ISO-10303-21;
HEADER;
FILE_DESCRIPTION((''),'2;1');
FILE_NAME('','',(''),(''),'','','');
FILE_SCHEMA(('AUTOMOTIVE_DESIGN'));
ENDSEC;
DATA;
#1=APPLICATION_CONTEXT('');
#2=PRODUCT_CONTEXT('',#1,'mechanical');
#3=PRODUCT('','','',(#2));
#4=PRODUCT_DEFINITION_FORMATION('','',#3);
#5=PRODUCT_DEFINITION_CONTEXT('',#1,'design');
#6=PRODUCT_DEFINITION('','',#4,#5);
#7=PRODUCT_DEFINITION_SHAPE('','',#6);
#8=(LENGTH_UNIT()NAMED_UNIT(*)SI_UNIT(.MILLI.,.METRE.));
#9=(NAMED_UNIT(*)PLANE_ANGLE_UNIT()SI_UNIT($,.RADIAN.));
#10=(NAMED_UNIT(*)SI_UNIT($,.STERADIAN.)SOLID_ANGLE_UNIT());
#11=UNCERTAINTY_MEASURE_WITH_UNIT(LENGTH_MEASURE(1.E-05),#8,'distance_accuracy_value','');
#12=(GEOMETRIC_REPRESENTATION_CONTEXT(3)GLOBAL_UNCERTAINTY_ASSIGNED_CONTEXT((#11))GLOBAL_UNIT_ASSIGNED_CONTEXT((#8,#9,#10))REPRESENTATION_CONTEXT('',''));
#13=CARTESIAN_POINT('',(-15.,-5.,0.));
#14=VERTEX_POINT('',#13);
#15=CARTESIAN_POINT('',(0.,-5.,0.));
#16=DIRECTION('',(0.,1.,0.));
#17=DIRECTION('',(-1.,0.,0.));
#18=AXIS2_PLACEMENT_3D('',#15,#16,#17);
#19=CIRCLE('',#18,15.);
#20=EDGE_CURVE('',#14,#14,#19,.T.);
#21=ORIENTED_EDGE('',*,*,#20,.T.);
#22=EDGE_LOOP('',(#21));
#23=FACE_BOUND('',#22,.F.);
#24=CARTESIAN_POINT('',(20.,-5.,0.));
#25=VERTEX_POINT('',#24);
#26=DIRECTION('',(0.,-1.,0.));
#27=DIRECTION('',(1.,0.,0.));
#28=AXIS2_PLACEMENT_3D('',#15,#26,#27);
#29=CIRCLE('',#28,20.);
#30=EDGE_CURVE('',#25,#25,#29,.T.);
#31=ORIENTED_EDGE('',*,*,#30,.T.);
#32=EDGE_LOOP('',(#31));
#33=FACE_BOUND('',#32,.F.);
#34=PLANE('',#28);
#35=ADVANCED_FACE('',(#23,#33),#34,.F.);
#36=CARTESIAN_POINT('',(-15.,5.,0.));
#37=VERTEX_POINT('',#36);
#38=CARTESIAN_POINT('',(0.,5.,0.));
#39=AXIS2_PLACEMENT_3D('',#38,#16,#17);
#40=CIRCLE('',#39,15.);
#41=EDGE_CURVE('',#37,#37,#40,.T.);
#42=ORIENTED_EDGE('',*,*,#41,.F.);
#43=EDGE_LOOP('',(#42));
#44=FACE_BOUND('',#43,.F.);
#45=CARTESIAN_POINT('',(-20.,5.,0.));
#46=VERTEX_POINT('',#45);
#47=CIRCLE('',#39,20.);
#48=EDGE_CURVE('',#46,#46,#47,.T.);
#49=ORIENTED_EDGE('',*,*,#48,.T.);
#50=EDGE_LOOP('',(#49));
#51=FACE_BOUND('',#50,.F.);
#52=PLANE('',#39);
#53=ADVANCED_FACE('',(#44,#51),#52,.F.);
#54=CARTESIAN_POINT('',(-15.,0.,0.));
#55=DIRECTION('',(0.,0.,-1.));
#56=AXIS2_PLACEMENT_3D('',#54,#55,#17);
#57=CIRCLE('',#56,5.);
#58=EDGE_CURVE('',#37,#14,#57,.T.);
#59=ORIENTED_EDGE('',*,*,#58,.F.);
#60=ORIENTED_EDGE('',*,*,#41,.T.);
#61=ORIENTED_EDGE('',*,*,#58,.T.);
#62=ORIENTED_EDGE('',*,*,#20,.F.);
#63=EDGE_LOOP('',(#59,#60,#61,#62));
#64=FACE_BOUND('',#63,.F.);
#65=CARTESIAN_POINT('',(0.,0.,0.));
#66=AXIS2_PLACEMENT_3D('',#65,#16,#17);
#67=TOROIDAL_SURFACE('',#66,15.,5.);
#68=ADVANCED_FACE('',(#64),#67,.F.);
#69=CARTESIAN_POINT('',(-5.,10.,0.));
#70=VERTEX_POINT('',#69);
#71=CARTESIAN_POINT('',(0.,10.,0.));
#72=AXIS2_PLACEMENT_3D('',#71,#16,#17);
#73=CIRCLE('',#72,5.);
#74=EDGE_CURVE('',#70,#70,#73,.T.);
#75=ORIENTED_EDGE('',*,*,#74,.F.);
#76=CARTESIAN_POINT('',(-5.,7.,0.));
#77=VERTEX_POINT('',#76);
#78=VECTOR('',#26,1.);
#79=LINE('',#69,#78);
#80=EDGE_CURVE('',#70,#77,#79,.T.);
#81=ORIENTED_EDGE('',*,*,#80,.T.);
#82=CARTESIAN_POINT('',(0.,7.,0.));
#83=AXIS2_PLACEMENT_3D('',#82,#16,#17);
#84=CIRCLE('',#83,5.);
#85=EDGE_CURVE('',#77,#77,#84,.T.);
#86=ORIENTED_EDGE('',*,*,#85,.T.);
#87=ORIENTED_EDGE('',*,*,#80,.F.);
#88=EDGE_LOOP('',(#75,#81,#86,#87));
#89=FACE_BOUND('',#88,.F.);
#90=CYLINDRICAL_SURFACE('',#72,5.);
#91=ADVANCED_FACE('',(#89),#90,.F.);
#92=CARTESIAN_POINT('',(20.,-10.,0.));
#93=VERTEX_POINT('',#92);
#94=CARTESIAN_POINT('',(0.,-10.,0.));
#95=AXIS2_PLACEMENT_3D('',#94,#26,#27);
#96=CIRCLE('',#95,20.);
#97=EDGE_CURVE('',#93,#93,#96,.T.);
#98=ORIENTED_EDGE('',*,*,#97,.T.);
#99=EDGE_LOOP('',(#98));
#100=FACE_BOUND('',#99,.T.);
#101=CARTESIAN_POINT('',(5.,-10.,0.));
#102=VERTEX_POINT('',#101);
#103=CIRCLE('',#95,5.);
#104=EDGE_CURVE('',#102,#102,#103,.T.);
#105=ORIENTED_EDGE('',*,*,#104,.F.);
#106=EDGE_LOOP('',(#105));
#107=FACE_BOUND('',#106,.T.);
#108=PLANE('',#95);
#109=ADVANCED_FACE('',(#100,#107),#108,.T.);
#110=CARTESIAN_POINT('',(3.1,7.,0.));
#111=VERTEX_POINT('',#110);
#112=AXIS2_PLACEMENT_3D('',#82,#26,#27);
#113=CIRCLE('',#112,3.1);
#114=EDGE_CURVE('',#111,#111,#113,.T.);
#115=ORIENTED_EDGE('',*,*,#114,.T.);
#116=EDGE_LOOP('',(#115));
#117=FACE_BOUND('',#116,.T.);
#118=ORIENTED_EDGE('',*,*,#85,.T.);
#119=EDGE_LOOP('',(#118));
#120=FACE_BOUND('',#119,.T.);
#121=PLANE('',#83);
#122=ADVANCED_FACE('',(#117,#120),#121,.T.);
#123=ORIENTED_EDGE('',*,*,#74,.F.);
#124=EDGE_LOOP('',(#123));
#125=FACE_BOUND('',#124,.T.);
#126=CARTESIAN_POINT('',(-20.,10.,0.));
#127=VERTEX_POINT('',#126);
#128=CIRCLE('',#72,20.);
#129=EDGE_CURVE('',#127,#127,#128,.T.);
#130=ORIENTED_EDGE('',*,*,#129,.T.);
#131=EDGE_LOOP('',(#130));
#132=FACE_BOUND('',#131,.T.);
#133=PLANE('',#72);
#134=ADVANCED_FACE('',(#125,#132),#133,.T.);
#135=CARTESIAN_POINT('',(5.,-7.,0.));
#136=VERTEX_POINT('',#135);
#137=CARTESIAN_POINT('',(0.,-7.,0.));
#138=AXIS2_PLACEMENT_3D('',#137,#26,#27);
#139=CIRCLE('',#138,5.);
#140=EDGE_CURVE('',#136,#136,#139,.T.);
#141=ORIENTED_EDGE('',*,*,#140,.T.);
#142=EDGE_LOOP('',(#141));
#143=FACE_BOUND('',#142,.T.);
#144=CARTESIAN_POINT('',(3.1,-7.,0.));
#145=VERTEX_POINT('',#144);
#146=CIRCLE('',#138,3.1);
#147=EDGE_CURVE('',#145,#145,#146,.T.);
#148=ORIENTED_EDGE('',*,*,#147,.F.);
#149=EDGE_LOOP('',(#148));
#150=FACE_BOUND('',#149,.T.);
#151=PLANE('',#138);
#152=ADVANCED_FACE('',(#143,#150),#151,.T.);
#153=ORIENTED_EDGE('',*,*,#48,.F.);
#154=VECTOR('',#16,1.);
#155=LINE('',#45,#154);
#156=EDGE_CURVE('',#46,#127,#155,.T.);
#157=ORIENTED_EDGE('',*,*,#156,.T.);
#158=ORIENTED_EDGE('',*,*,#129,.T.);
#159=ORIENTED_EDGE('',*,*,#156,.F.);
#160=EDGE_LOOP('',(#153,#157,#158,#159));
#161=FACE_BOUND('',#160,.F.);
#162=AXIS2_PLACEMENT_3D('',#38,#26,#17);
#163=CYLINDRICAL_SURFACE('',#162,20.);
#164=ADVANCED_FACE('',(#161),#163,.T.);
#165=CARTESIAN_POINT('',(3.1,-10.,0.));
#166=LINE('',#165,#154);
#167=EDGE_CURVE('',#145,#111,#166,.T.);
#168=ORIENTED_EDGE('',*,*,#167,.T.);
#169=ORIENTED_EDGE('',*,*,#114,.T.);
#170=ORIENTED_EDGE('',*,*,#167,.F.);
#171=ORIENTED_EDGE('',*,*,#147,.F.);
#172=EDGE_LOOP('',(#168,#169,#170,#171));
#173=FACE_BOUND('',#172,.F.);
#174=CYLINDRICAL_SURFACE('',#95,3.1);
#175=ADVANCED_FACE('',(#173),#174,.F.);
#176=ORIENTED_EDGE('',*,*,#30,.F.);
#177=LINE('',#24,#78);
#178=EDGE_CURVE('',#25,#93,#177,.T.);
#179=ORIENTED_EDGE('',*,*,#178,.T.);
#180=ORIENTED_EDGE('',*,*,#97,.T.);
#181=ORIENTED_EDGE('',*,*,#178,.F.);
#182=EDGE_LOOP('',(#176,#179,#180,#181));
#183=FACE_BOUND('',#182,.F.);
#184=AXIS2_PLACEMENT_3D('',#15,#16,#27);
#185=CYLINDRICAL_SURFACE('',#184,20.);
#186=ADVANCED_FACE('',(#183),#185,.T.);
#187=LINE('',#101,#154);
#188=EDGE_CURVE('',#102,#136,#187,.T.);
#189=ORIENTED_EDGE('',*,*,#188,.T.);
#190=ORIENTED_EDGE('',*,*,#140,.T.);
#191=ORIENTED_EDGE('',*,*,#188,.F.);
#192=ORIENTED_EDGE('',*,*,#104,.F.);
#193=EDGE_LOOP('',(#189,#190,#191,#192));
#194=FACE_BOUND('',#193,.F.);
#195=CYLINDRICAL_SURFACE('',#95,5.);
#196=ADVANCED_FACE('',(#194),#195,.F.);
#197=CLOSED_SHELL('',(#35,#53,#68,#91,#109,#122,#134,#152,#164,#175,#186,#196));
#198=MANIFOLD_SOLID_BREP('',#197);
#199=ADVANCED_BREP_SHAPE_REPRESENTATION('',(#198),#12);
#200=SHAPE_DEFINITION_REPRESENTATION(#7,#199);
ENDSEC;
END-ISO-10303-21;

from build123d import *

# Parameters (mm, degrees)
F0_R      = 15
F1_DEPTH  = 5
F2_R      = 15
F3_DEPTH  = 5
F4_R      = 5
F6_R      = 20
F7_DEPTH  = 5
F8_R      = 20
F9_DEPTH  = 5
F10_R     = 3.1
F11_DEPTH = 25
F10_R_2   = 5
F12_DEPTH = 3
F13_R     = 5
F13_R_2   = 3.1
F14_DEPTH = 3


with BuildPart() as f1:
    # F0 (on Front) → F1 (new body)
    with BuildSketch(Plane.XZ):
        Circle(F0_R)
    extrude(amount=F1_DEPTH)

    # F2 (on face) → F3 (join)
    with BuildSketch(Plane(origin=(0, 0, 0), x_dir=(-1, 0, 0), z_dir=(0, 1, 0))):
        Circle(F2_R)
    extrude(amount=F3_DEPTH)

    # F5: sweep along a path in F2
    with BuildLine(Plane(origin=(0, 0, 0), x_dir=(-1, 0, 0), z_dir=(0, 1, 0))) as f5_path:
        CenterArc((0, 0), 15, 0, 360)
    # F4 (on Right) → F5 (sweep, cut)
    with BuildSketch(Plane.YZ):
        with Locations((0, -15)):
            Circle(F4_R)
    sweep(path=f5_path.line, mode=Mode.SUBTRACT)

    # F6 (on face) → F7 (join)
    with BuildSketch(Plane.XZ.offset(5)):
        Circle(F6_R)
    extrude(amount=F7_DEPTH)

    # F8 (on face) → F9 (join)
    with BuildSketch(Plane(origin=(0, 5, 0), x_dir=(-1, 0, 0), z_dir=(0, 1, 0))):
        Circle(F8_R)
    extrude(amount=F9_DEPTH)

    # F10 (on face) → F11 (cut)
    with BuildSketch(Plane.XZ.offset(10)):
        Circle(F10_R)
    extrude(amount=-F11_DEPTH, mode=Mode.SUBTRACT)

    # F10 (on face) → F12 (cut)
    with BuildSketch(Plane.XZ.offset(10)):
        Circle(F10_R_2)
        Circle(F10_R, mode=Mode.SUBTRACT)
    extrude(amount=-F12_DEPTH, mode=Mode.SUBTRACT)

    # F13 (on face) → F14 (cut)
    with BuildSketch(Plane(origin=(0, 10, 0), x_dir=(-1, 0, 0), z_dir=(0, 1, 0))):
        Circle(F13_R)
        Circle(F13_R_2, mode=Mode.SUBTRACT)
    extrude(amount=-F14_DEPTH, mode=Mode.SUBTRACT)


solid = f1.part
